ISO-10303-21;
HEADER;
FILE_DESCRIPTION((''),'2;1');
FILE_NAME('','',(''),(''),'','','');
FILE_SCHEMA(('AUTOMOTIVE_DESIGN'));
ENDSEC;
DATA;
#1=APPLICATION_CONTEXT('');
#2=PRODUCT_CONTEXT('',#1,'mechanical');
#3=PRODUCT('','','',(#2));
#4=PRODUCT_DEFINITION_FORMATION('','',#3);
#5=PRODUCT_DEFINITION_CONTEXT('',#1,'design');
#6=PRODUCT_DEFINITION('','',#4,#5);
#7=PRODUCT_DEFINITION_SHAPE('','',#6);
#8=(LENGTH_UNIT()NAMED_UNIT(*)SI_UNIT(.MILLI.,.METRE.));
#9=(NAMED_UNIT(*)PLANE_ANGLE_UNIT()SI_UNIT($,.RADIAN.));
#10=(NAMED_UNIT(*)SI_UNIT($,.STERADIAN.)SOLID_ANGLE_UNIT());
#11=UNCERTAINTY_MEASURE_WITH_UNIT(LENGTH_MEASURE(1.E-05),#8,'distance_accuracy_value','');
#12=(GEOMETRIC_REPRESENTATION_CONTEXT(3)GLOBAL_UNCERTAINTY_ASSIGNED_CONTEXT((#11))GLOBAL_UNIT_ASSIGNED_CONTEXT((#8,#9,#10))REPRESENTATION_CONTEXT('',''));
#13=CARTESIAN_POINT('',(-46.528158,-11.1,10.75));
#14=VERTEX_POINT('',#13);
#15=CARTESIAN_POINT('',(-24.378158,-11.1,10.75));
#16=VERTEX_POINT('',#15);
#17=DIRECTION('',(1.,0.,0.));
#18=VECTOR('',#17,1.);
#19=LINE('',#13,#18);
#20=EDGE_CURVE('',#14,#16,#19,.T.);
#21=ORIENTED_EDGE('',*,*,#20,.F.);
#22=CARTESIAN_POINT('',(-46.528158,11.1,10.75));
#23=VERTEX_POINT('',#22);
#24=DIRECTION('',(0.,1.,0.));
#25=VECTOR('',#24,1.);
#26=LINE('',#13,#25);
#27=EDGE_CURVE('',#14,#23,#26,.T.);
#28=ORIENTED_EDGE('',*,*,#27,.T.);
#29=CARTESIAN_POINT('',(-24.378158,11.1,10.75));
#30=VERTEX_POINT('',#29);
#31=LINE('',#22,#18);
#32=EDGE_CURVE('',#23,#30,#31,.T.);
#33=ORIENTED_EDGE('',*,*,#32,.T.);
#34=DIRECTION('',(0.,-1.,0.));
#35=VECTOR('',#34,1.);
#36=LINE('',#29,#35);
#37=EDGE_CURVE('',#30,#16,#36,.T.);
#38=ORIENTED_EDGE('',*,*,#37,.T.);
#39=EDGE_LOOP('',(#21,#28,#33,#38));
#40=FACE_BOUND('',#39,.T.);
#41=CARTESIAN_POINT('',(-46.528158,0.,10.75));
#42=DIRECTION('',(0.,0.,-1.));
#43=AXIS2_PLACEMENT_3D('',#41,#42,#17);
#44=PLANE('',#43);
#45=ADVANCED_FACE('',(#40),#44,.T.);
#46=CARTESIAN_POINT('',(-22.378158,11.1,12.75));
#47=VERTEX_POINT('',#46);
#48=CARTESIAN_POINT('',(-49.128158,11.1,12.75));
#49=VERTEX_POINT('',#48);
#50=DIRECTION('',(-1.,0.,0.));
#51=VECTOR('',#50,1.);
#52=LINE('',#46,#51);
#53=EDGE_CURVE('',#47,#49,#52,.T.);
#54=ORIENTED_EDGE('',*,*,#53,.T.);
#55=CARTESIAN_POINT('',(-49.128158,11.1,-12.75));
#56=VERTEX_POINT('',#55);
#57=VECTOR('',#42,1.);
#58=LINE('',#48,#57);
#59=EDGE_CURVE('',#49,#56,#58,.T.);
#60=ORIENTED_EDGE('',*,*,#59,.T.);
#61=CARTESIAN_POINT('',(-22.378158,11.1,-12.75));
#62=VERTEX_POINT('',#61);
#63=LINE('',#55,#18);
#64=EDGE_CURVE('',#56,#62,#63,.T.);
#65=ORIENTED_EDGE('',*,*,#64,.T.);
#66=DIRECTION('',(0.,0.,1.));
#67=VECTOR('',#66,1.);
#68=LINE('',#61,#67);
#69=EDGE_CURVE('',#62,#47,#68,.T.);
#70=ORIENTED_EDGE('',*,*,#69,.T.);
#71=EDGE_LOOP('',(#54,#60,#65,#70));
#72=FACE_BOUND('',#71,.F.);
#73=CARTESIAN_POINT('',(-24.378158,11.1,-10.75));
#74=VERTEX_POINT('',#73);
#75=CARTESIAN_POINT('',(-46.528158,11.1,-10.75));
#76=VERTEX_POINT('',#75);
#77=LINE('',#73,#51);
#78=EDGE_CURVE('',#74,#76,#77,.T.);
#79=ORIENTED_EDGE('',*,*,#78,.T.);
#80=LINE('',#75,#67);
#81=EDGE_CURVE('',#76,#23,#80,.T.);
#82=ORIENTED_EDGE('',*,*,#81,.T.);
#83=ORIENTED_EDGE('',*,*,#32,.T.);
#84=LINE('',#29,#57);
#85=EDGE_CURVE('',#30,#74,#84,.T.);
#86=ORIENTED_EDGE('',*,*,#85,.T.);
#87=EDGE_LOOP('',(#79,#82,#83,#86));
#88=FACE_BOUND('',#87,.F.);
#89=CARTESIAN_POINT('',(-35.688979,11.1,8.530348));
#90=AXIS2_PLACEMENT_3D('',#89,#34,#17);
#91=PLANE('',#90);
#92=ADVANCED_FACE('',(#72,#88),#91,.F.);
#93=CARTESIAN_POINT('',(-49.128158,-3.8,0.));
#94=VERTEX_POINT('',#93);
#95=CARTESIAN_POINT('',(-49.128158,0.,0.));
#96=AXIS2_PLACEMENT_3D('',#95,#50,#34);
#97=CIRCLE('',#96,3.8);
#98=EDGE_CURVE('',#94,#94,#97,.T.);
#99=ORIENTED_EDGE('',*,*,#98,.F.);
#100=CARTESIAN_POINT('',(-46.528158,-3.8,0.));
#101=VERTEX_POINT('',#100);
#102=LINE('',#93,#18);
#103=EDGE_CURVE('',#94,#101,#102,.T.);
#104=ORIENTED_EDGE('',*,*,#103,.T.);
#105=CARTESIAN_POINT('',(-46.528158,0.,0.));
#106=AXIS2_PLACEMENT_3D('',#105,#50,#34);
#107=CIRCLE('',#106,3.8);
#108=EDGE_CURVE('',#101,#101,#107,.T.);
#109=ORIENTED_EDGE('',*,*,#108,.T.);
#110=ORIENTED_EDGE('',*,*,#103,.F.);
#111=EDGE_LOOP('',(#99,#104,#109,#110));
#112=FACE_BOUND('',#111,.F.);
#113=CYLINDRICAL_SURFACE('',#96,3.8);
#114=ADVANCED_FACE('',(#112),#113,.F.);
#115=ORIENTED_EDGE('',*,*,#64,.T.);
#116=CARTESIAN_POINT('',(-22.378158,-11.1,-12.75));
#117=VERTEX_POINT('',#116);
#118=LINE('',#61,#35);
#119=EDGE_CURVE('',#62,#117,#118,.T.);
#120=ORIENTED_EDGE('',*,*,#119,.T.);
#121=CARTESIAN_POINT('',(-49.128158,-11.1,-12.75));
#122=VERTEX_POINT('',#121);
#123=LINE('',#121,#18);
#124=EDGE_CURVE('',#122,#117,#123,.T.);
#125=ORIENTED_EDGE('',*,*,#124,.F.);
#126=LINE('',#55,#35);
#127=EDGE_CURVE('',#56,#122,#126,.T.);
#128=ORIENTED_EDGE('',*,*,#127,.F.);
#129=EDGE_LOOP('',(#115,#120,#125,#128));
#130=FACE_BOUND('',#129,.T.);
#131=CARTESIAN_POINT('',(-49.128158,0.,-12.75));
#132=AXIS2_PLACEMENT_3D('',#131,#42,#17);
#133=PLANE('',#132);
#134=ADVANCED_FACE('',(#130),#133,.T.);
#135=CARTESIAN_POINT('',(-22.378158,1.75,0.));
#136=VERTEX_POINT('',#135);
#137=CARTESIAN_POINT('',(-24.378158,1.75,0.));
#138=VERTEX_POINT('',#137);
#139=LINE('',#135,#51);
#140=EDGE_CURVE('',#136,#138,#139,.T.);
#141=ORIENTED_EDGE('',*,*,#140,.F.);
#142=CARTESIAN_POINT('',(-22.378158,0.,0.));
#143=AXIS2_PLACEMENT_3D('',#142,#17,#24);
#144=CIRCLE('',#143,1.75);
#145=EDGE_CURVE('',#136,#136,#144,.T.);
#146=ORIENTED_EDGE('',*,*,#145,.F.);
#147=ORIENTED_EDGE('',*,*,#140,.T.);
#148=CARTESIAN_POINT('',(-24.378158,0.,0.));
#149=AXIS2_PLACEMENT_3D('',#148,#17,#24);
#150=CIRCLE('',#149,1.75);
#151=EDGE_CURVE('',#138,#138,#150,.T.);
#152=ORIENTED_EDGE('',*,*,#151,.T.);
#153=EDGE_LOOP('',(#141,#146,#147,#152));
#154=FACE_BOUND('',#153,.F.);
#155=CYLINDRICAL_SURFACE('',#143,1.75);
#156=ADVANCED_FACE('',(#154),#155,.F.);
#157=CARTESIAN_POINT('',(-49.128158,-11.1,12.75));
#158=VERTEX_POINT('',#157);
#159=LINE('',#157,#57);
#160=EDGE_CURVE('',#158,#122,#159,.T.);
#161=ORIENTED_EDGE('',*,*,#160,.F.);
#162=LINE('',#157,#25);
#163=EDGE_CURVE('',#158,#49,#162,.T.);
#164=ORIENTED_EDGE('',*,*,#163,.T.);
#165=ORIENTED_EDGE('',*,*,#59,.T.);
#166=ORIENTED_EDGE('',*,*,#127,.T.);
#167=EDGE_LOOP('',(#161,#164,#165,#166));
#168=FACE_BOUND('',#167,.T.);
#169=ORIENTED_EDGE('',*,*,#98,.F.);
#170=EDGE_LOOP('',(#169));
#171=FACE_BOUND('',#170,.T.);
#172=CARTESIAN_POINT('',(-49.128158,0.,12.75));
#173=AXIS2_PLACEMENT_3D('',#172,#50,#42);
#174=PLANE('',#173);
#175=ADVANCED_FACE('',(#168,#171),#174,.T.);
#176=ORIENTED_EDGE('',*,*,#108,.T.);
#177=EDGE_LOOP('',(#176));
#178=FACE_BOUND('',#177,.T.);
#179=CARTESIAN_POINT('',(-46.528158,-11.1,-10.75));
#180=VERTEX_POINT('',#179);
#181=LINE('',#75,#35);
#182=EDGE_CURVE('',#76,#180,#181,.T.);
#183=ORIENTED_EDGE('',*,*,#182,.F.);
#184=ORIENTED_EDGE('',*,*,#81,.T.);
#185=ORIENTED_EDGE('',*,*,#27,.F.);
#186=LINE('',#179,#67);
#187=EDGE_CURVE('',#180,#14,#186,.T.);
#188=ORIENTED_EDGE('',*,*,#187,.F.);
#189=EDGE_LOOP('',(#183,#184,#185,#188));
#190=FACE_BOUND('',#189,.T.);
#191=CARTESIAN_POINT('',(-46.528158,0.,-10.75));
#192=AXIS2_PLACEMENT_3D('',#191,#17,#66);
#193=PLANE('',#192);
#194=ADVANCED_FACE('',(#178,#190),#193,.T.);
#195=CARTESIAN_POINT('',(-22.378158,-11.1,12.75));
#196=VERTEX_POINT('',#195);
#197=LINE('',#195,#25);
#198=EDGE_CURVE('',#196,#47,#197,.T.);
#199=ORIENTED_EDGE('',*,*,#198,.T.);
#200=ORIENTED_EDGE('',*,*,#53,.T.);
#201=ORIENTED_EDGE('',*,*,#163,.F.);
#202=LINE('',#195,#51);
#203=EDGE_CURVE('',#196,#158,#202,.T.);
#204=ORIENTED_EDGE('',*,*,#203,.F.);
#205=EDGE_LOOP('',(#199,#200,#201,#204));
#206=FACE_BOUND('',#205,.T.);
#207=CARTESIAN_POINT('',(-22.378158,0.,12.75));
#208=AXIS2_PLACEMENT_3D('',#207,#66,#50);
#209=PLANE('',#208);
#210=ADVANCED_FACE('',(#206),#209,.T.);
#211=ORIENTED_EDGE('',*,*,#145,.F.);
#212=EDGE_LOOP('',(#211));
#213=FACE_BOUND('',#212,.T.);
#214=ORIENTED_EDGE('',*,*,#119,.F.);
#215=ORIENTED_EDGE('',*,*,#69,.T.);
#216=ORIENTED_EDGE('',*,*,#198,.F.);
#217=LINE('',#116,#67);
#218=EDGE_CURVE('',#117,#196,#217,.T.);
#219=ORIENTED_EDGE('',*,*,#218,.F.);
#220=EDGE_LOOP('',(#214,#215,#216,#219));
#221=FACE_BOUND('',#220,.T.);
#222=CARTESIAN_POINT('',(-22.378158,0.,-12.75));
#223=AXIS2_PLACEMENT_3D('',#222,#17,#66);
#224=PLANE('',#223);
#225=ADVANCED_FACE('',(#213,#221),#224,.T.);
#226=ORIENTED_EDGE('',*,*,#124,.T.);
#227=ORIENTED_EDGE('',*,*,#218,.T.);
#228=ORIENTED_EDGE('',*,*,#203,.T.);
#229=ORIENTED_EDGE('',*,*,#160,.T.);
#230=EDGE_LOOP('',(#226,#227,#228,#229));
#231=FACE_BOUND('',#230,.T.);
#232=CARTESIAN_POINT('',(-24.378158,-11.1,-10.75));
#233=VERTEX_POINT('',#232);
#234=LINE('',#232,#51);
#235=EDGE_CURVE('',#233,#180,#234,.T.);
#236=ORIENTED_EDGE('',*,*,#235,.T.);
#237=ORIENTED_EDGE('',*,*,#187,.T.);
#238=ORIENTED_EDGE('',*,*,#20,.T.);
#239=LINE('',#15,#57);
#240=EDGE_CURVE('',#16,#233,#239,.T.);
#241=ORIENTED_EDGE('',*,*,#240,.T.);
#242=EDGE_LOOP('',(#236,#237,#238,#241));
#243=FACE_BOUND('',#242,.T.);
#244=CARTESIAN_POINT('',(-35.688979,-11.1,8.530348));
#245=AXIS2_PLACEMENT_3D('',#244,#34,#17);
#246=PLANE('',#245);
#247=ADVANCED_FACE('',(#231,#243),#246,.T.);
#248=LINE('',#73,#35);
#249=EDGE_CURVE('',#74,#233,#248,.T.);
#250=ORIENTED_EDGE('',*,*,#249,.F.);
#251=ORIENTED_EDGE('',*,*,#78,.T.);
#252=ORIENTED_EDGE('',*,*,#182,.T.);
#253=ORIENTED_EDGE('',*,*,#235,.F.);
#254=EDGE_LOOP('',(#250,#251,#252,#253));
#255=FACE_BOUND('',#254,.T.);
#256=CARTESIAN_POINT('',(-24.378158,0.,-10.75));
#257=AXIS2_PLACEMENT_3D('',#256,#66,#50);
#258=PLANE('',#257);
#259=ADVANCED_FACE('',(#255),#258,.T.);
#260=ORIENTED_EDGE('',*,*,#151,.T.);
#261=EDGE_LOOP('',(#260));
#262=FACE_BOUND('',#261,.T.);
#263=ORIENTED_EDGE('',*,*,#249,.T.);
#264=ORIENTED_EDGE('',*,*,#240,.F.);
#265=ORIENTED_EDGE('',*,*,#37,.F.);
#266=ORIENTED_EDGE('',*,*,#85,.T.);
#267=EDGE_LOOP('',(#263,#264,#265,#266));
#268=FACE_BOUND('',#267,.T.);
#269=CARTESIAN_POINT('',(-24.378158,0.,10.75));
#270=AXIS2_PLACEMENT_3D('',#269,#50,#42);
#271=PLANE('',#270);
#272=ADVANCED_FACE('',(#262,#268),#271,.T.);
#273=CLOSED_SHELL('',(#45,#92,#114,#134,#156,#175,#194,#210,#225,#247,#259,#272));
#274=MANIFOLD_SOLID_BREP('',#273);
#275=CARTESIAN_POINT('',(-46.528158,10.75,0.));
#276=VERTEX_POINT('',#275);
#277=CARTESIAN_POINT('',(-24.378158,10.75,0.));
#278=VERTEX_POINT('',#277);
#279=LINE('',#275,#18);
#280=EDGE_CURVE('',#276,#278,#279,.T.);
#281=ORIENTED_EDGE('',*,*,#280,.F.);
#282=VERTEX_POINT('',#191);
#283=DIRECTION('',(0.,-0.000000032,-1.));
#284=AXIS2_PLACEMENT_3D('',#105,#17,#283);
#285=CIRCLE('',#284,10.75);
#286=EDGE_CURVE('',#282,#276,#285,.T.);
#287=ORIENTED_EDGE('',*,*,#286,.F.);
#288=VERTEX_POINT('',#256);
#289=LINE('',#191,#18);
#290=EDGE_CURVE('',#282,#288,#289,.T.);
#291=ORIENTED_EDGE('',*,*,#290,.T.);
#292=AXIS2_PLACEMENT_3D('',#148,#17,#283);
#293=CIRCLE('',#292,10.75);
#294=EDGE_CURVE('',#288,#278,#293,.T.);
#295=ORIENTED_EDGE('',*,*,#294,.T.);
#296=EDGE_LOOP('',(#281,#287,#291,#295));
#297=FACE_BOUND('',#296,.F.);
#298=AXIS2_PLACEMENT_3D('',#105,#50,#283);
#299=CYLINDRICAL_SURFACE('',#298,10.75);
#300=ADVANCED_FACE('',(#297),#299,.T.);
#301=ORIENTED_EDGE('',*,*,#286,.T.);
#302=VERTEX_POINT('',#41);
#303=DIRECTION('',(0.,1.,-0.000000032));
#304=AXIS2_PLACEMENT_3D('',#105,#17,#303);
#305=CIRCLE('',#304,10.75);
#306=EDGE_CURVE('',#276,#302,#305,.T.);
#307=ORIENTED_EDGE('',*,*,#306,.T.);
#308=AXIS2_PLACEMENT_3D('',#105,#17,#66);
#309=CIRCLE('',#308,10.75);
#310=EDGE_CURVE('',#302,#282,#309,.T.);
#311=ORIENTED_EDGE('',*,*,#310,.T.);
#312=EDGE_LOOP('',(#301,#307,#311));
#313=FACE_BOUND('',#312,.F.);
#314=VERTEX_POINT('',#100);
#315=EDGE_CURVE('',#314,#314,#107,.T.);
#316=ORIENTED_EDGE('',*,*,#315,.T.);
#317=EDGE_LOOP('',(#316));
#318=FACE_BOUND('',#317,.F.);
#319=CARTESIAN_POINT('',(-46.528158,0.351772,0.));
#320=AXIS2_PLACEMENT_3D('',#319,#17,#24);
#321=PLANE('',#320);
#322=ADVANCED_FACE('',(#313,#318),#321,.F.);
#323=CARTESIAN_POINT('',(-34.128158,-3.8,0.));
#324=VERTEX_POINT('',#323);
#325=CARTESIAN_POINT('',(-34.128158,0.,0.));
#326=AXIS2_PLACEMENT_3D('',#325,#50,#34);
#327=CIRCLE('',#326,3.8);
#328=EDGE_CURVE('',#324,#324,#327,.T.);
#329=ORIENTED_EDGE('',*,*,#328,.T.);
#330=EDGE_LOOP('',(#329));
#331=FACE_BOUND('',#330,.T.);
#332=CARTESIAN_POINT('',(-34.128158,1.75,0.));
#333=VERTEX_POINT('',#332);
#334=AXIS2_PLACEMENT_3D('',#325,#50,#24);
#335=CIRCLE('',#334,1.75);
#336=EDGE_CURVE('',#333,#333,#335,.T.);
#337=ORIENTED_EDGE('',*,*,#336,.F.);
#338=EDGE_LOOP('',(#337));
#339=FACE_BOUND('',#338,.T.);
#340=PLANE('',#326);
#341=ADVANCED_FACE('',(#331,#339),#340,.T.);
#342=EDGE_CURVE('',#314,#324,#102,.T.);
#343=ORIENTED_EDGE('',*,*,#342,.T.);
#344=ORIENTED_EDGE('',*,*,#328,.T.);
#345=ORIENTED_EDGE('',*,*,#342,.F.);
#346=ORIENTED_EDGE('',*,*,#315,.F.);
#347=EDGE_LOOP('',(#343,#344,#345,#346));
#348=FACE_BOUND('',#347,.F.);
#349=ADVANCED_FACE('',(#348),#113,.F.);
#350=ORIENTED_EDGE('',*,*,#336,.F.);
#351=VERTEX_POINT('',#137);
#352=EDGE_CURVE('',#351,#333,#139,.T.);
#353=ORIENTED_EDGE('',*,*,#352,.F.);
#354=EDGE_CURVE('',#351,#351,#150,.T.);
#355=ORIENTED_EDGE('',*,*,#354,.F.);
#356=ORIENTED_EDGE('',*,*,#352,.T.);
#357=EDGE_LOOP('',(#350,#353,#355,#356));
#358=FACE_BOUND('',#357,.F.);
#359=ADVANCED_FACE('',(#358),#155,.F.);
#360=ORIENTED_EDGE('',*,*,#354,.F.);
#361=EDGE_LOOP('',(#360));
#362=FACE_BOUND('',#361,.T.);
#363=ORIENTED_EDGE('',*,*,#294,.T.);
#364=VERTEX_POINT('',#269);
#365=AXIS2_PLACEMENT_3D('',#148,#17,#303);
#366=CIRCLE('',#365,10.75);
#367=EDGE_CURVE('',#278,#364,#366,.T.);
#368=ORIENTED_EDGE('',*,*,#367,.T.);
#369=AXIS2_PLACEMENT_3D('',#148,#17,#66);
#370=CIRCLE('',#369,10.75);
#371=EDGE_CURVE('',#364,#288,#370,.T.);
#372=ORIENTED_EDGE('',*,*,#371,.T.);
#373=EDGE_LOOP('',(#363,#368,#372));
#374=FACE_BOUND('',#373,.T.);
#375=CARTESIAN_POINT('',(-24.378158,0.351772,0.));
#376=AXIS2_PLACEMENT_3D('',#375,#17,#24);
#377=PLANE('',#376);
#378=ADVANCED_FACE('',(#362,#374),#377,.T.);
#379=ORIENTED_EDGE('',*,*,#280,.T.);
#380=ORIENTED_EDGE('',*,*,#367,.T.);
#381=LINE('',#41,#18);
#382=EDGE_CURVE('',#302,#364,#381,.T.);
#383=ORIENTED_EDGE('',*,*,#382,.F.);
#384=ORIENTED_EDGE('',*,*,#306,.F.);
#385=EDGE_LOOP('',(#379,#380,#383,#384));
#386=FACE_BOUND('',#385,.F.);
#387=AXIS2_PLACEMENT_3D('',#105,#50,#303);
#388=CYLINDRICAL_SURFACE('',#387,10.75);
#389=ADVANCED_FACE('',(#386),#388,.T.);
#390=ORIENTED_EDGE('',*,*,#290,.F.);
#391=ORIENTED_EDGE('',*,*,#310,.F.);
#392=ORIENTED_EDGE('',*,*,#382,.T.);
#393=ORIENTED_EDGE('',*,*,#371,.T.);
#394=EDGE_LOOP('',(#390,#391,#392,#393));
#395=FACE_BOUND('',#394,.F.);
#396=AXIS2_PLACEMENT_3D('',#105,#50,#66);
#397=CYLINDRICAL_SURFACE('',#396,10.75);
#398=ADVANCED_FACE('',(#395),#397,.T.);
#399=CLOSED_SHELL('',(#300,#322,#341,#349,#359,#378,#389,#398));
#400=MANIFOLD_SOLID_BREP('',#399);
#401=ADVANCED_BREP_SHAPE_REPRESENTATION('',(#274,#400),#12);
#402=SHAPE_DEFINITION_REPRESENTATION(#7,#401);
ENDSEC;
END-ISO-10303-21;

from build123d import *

# Parameters (mm, degrees)
F1_DEPTH = 11.1
F3_DEPTH = 22.15
F4_R     = 1.75
F5_DEPTH = 26.75
F6_R     = 3.8
F6_R_2   = 1.75
F7_DEPTH = 15


with BuildPart() as f1:
    # F0 (on Front) → F1 (new body, symmetric)
    with BuildSketch(Plane.XZ):
        Polygon((-49.128158, 12.75), (-49.128158, 0), (-46.528158, 0), (-46.528158, 10.75), (-24.378158, 10.75), (-24.378158, 0), (-22.378158, 0), (-22.378158, 12.75), align=None)
        Polygon((-46.528158, 0), (-49.128158, 0), (-49.128158, -12.75), (-22.378158, -12.75), (-22.378158, 0), (-24.378158, 0), (-24.378158, -10.75), (-46.528158, -10.75), align=None)
    extrude(amount=F1_DEPTH, both=True)


with BuildPart() as f3:
    # F2 (on face) → F3 (new body, through all)
    with BuildSketch(Plane.YZ.offset(-46.528158)):
        with BuildLine():
            ThreePointArc((0, -10.75), (7.601398, -7.601398), (10.75, 0))
            ThreePointArc((10.75, 0), (7.601398, 7.601398), (0, 10.75))
            ThreePointArc((0, 10.75), (-10.75, 0), (0, -10.75))
        make_face()
    extrude(amount=F3_DEPTH)


with BuildPart() as f5_tool:
    # F4 (on face) → F5 (new body, through all)
    with BuildSketch(Plane.YZ.offset(-22.378158)):
        Circle(F4_R)
    extrude(amount=-F5_DEPTH)


with BuildPart() as f1_1:
    add(f1.part)

    # F5: cut by f5_tool
    add(f5_tool.part, mode=Mode.SUBTRACT)


with BuildPart() as f3_1:
    add(f3.part)

    # F5: cut by f5_tool
    add(f5_tool.part, mode=Mode.SUBTRACT)


with BuildPart() as f7_tool:
    # F6 (on face) → F7 (new body)
    with BuildSketch(Plane(origin=(-49.128158, 0, 0), x_dir=(0, -1, 0), z_dir=(-1, 0, 0))):
        Circle(F6_R)
        Circle(F6_R)
        Circle(F6_R_2, mode=Mode.SUBTRACT)
    extrude(amount=-F7_DEPTH)


with BuildPart() as f1_2:
    add(f1_1.part)

    # F7: cut by f7_tool
    add(f7_tool.part, mode=Mode.SUBTRACT)


with BuildPart() as f3_2:
    add(f3_1.part)

    # F7: cut by f7_tool
    add(f7_tool.part, mode=Mode.SUBTRACT)


solid = Compound([f1_2.part, f3_2.part])
